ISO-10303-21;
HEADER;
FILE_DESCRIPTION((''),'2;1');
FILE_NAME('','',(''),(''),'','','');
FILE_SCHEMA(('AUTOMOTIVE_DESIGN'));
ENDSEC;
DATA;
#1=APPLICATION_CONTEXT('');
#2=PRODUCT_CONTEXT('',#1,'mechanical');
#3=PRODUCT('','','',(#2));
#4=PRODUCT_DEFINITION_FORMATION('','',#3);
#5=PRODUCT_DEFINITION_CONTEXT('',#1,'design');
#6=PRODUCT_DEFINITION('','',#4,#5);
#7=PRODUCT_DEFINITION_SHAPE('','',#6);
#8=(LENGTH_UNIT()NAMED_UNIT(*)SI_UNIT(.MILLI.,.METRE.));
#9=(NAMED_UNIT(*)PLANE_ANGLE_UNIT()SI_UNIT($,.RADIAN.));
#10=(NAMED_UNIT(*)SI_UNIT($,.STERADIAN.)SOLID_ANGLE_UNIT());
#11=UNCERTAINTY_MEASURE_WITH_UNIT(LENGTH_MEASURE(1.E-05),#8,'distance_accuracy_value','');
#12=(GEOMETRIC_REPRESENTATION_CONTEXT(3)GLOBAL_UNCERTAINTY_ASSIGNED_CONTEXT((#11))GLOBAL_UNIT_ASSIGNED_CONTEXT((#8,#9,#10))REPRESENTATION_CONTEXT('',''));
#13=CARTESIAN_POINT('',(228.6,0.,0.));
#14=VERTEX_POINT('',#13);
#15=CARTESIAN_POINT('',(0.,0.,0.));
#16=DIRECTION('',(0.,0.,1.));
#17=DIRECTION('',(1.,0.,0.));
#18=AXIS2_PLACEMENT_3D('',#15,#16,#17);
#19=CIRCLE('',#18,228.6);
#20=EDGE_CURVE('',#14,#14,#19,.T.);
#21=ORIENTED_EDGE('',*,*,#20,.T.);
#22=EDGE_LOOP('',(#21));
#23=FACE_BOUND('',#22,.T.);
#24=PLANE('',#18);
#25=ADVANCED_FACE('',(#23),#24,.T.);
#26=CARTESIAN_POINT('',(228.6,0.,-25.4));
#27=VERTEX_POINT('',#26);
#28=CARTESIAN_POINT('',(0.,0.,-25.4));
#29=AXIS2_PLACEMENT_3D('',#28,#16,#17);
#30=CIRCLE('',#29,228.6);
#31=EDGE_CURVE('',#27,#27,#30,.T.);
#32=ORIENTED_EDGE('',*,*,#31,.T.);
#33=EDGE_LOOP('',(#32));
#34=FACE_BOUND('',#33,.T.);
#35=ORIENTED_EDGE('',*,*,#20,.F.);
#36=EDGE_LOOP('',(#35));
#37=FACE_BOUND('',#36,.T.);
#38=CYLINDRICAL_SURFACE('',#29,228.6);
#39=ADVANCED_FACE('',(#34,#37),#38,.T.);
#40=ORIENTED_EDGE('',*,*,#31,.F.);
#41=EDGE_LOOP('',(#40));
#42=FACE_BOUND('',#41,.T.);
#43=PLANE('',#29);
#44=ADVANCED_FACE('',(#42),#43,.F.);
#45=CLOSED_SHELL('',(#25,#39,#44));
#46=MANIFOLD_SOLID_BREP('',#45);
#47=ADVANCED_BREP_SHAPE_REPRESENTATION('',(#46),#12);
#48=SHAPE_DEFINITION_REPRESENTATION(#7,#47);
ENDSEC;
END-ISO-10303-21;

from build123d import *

# Parameters (mm, degrees)
SKETCH1_R      = 228.6
EXTRUDE1_DEPTH = 25.4


with BuildPart() as part:
    # Sketch1 → Extrude1 (new body)
    with BuildSketch(Plane.XY):
        Circle(SKETCH1_R)
    extrude(amount=-EXTRUDE1_DEPTH)


solid = part.part
